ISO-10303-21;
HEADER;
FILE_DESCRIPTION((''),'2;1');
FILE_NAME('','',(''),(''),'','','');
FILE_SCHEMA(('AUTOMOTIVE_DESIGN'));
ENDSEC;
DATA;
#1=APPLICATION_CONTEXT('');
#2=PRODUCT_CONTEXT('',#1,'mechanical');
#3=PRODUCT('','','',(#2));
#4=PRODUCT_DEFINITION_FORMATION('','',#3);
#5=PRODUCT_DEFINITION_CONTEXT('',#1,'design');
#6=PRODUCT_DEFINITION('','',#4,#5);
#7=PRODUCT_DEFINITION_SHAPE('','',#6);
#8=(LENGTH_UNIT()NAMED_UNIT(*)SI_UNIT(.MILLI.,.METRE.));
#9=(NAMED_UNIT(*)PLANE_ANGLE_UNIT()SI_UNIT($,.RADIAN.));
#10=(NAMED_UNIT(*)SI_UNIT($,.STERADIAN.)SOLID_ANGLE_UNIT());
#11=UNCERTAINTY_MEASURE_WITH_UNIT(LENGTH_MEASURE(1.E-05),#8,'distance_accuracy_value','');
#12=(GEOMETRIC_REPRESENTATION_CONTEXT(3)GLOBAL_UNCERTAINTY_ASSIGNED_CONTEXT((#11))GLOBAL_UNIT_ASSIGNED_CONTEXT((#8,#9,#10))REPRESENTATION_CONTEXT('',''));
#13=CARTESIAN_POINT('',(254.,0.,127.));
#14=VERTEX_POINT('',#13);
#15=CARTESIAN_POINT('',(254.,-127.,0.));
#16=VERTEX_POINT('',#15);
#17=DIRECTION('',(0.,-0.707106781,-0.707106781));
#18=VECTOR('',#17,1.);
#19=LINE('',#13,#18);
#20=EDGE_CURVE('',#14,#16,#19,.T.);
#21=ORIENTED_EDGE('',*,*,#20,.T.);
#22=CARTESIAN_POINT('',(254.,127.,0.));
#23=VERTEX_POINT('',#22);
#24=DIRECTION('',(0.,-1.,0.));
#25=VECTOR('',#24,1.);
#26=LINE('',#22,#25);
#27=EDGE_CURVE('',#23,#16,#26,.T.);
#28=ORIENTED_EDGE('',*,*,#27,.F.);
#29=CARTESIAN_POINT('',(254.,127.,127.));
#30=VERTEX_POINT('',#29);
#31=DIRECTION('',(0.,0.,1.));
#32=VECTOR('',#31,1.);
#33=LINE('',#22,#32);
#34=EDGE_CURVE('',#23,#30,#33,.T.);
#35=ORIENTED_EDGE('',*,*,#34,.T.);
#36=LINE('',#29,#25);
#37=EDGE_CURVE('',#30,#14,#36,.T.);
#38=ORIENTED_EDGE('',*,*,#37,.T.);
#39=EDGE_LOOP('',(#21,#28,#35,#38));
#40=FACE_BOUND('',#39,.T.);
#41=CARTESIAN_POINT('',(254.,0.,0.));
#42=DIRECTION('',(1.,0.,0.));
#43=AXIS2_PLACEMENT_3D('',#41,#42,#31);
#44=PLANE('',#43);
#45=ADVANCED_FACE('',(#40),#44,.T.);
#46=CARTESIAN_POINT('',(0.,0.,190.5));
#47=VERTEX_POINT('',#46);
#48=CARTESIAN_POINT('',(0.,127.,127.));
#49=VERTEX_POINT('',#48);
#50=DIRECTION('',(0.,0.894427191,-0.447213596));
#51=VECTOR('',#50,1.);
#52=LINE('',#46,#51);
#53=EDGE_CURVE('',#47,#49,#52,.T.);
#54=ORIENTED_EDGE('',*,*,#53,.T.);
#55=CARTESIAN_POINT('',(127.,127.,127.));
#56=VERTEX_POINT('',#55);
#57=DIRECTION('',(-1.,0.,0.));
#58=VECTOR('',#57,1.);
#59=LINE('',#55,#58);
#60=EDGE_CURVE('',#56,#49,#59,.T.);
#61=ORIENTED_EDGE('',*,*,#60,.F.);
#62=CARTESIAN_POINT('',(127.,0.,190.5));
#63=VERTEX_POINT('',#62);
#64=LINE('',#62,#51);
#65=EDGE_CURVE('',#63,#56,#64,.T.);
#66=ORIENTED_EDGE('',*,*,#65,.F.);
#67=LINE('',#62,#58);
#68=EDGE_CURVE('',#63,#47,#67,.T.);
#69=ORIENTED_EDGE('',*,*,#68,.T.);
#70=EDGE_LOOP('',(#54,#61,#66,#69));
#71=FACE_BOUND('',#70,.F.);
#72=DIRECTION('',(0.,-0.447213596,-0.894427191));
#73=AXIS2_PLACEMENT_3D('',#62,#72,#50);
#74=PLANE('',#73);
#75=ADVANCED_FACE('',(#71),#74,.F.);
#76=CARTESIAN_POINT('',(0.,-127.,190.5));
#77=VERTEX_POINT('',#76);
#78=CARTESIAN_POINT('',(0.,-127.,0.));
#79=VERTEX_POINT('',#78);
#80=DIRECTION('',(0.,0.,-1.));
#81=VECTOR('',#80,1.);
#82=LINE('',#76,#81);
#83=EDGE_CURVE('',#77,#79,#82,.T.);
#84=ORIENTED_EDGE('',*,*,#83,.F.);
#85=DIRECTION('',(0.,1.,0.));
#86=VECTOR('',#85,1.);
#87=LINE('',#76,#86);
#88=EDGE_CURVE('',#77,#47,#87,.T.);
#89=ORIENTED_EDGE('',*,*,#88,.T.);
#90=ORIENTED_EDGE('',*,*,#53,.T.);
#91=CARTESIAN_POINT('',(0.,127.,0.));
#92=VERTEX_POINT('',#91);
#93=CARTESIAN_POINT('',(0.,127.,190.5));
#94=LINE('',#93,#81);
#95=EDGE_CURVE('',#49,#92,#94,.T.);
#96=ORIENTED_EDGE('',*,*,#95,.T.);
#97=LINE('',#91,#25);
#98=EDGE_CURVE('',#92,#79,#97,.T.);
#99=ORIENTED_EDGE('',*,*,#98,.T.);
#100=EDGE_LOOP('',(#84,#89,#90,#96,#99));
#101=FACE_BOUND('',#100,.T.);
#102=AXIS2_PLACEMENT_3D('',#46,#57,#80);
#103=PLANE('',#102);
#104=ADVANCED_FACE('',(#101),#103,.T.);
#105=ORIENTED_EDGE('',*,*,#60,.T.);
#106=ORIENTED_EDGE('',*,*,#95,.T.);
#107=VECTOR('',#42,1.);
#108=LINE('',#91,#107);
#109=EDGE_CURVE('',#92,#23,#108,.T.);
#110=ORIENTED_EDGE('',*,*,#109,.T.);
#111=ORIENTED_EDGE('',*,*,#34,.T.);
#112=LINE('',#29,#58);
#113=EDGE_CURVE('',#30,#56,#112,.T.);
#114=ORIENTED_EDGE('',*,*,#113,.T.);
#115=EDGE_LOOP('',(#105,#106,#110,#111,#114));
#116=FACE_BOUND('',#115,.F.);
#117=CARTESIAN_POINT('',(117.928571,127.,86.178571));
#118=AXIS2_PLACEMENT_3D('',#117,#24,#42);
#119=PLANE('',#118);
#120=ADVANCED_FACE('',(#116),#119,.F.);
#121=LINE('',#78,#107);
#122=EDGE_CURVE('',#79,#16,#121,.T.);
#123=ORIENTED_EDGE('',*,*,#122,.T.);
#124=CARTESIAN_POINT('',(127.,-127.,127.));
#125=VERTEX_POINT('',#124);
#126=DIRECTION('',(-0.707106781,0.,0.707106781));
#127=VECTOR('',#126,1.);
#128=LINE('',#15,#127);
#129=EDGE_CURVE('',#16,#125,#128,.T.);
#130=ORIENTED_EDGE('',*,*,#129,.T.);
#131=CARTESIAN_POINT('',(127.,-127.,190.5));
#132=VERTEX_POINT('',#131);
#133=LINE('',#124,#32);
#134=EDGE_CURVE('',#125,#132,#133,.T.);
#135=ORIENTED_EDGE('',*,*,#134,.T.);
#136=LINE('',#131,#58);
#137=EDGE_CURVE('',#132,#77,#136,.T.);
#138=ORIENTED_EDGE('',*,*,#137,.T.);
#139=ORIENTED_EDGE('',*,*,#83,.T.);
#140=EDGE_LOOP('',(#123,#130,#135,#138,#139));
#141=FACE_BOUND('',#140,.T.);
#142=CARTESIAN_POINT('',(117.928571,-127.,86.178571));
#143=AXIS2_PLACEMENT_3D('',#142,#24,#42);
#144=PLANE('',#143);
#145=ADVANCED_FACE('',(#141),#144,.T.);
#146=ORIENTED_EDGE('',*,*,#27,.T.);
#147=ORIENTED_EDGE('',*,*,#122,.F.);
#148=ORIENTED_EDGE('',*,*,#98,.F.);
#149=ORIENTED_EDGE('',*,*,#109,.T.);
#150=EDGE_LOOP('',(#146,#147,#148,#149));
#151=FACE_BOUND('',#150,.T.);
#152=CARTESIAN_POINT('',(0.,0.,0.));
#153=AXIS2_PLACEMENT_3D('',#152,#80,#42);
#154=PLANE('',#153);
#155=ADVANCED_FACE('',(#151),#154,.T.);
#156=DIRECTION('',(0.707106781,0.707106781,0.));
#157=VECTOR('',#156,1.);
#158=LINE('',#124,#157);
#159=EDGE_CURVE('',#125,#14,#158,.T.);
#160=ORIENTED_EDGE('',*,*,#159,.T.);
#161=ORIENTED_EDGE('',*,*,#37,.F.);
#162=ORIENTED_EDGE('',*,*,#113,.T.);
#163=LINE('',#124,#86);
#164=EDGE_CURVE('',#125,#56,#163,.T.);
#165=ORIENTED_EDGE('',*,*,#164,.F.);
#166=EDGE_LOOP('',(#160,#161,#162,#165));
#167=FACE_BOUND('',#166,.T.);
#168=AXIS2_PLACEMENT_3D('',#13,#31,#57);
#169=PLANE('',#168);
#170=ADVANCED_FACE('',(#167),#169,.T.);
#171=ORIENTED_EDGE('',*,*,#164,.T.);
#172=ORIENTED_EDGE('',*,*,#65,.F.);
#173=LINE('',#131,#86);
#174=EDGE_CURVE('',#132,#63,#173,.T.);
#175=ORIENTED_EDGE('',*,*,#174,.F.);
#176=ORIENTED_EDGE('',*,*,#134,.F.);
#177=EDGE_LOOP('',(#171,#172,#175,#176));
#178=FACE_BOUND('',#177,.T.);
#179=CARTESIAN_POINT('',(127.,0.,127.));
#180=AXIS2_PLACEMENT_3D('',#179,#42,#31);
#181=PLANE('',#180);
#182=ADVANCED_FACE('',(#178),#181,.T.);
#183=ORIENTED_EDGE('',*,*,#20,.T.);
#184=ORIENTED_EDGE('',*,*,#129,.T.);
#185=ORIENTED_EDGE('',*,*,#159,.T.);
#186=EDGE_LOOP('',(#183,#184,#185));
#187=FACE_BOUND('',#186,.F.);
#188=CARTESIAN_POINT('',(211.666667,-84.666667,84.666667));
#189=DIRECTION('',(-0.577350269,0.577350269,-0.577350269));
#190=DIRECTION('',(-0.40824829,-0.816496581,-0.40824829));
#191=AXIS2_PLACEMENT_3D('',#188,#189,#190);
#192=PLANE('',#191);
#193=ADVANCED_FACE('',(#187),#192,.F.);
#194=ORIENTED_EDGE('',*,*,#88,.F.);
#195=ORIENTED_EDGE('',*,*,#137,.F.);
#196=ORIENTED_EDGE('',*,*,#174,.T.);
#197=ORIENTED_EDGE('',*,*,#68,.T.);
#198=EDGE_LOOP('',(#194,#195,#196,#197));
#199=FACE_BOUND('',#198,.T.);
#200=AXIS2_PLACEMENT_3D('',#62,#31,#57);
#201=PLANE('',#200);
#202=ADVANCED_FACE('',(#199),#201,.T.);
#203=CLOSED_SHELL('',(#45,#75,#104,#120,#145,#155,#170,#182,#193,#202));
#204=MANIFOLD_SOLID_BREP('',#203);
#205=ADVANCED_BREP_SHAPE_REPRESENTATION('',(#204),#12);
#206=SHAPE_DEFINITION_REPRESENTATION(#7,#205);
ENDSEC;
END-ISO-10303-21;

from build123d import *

# Parameters (mm, degrees)
F1_DEPTH = 127
F3_DEPTH = 127
F8_DEPTH = 287.274


with BuildPart() as f1:
    # F0 (on Front) → F1 (new body, symmetric)
    with BuildSketch(Plane.XZ):
        Polygon((0, 190.5), (0, 0), (254, 0), (254, 127), (127, 127), (127, 190.5), align=None)
    extrude(amount=F1_DEPTH, both=True)

    # F2 (on face) → F3 (cut)
    with BuildSketch(Plane.YZ.offset(127)):
        Polygon((127, 190.5), (0, 190.5), (127, 127), align=None)
    extrude(amount=-F3_DEPTH, mode=Mode.SUBTRACT)

    # F7 (on 3pt) → F8 (cut)
    with BuildSketch(Plane(origin=(127, -127, 127), x_dir=(-0.4082482905, -0.8164965809, -0.4082482905), z_dir=(-0.5773502692, 0.5773502692, -0.5773502692))):
        Polygon((-155.5425986667, -89.8025612107), (0, -179.6051224214), (0, 0), align=None)
    extrude(amount=-F8_DEPTH, mode=Mode.SUBTRACT)


solid = f1.part
